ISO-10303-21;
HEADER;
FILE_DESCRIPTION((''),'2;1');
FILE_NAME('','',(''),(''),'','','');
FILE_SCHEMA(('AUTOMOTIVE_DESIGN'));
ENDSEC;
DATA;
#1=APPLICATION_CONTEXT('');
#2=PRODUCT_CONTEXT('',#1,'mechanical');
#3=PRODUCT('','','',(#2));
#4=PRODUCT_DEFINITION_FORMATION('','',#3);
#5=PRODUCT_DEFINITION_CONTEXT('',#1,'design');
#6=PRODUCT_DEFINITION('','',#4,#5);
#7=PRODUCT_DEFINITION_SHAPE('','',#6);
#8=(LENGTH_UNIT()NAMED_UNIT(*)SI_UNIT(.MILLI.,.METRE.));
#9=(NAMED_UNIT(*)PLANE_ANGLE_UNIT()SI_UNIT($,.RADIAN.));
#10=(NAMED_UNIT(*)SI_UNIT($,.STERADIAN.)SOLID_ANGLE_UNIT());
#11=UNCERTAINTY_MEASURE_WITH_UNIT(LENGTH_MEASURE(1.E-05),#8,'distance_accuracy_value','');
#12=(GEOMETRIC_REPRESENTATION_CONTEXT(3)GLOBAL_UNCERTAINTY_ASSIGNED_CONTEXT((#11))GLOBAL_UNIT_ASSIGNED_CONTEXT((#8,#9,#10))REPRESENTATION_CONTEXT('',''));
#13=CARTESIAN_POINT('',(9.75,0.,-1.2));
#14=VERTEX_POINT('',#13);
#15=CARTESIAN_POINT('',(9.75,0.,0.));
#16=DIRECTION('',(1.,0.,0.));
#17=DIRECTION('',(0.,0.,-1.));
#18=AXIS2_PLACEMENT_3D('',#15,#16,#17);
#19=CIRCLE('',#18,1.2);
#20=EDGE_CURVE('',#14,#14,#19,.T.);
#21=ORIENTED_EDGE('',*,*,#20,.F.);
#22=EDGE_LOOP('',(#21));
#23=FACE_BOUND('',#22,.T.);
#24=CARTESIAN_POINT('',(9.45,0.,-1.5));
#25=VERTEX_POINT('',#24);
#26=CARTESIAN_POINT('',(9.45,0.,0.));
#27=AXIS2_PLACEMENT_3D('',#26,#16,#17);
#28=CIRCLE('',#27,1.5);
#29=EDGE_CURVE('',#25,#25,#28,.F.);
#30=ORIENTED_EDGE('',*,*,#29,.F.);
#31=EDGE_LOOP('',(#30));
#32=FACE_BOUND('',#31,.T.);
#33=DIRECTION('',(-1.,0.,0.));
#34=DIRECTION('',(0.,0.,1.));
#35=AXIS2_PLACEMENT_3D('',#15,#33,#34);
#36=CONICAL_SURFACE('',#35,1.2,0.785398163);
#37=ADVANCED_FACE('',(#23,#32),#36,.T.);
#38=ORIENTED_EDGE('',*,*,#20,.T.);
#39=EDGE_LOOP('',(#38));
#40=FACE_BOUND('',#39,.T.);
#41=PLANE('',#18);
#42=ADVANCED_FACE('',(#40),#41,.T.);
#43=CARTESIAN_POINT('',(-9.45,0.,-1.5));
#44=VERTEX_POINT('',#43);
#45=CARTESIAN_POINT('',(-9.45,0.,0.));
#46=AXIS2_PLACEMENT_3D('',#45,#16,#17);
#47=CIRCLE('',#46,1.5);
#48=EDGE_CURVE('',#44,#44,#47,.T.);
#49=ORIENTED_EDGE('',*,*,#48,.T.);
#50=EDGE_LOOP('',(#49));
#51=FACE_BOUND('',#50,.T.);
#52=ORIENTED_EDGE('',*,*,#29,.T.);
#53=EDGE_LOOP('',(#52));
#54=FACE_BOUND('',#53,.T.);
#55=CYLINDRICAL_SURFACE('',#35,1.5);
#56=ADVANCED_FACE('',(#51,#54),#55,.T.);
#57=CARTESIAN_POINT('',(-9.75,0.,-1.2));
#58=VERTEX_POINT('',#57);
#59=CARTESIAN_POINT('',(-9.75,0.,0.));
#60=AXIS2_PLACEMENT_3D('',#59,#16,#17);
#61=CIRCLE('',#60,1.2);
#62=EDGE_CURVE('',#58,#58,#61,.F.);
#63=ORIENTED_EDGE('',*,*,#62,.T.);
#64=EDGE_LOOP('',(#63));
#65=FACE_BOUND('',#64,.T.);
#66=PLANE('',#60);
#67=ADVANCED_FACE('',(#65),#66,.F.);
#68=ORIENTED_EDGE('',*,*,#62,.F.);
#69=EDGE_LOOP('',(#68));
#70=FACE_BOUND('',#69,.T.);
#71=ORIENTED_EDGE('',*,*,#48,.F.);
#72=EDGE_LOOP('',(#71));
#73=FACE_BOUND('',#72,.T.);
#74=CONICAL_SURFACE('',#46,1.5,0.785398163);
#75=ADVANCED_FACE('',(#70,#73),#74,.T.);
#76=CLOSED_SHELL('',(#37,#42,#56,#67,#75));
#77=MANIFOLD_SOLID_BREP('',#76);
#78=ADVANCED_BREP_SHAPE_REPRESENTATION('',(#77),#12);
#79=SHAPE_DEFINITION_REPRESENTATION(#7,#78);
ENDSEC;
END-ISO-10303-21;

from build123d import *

# Parameters (mm, degrees)
SKIZZE1_R                       = 1.5
AUFSATZ_LINEAR_AUSTRAGEN1_DEPTH = 9.75
FASE1_SIZE                      = 0.3


with BuildPart() as part:
    # Skizze1 → Aufsatz-Linear austragen1 (new, symmetric)
    with BuildSketch(Plane(origin=(0, 0, 0), x_dir=(0, 0, -1), z_dir=(1, 0, 0))):
        Circle(SKIZZE1_R)
    extrude(amount=AUFSATZ_LINEAR_AUSTRAGEN1_DEPTH, both=True)

    # Fase1
    fase1_edges = [part.edges().sort_by_distance(p)[0] for p in [
        (-9.75, 0, 1.5),
        (9.75, 0, 1.5),
    ]]
    chamfer(fase1_edges, length=FASE1_SIZE)


solid = part.part
